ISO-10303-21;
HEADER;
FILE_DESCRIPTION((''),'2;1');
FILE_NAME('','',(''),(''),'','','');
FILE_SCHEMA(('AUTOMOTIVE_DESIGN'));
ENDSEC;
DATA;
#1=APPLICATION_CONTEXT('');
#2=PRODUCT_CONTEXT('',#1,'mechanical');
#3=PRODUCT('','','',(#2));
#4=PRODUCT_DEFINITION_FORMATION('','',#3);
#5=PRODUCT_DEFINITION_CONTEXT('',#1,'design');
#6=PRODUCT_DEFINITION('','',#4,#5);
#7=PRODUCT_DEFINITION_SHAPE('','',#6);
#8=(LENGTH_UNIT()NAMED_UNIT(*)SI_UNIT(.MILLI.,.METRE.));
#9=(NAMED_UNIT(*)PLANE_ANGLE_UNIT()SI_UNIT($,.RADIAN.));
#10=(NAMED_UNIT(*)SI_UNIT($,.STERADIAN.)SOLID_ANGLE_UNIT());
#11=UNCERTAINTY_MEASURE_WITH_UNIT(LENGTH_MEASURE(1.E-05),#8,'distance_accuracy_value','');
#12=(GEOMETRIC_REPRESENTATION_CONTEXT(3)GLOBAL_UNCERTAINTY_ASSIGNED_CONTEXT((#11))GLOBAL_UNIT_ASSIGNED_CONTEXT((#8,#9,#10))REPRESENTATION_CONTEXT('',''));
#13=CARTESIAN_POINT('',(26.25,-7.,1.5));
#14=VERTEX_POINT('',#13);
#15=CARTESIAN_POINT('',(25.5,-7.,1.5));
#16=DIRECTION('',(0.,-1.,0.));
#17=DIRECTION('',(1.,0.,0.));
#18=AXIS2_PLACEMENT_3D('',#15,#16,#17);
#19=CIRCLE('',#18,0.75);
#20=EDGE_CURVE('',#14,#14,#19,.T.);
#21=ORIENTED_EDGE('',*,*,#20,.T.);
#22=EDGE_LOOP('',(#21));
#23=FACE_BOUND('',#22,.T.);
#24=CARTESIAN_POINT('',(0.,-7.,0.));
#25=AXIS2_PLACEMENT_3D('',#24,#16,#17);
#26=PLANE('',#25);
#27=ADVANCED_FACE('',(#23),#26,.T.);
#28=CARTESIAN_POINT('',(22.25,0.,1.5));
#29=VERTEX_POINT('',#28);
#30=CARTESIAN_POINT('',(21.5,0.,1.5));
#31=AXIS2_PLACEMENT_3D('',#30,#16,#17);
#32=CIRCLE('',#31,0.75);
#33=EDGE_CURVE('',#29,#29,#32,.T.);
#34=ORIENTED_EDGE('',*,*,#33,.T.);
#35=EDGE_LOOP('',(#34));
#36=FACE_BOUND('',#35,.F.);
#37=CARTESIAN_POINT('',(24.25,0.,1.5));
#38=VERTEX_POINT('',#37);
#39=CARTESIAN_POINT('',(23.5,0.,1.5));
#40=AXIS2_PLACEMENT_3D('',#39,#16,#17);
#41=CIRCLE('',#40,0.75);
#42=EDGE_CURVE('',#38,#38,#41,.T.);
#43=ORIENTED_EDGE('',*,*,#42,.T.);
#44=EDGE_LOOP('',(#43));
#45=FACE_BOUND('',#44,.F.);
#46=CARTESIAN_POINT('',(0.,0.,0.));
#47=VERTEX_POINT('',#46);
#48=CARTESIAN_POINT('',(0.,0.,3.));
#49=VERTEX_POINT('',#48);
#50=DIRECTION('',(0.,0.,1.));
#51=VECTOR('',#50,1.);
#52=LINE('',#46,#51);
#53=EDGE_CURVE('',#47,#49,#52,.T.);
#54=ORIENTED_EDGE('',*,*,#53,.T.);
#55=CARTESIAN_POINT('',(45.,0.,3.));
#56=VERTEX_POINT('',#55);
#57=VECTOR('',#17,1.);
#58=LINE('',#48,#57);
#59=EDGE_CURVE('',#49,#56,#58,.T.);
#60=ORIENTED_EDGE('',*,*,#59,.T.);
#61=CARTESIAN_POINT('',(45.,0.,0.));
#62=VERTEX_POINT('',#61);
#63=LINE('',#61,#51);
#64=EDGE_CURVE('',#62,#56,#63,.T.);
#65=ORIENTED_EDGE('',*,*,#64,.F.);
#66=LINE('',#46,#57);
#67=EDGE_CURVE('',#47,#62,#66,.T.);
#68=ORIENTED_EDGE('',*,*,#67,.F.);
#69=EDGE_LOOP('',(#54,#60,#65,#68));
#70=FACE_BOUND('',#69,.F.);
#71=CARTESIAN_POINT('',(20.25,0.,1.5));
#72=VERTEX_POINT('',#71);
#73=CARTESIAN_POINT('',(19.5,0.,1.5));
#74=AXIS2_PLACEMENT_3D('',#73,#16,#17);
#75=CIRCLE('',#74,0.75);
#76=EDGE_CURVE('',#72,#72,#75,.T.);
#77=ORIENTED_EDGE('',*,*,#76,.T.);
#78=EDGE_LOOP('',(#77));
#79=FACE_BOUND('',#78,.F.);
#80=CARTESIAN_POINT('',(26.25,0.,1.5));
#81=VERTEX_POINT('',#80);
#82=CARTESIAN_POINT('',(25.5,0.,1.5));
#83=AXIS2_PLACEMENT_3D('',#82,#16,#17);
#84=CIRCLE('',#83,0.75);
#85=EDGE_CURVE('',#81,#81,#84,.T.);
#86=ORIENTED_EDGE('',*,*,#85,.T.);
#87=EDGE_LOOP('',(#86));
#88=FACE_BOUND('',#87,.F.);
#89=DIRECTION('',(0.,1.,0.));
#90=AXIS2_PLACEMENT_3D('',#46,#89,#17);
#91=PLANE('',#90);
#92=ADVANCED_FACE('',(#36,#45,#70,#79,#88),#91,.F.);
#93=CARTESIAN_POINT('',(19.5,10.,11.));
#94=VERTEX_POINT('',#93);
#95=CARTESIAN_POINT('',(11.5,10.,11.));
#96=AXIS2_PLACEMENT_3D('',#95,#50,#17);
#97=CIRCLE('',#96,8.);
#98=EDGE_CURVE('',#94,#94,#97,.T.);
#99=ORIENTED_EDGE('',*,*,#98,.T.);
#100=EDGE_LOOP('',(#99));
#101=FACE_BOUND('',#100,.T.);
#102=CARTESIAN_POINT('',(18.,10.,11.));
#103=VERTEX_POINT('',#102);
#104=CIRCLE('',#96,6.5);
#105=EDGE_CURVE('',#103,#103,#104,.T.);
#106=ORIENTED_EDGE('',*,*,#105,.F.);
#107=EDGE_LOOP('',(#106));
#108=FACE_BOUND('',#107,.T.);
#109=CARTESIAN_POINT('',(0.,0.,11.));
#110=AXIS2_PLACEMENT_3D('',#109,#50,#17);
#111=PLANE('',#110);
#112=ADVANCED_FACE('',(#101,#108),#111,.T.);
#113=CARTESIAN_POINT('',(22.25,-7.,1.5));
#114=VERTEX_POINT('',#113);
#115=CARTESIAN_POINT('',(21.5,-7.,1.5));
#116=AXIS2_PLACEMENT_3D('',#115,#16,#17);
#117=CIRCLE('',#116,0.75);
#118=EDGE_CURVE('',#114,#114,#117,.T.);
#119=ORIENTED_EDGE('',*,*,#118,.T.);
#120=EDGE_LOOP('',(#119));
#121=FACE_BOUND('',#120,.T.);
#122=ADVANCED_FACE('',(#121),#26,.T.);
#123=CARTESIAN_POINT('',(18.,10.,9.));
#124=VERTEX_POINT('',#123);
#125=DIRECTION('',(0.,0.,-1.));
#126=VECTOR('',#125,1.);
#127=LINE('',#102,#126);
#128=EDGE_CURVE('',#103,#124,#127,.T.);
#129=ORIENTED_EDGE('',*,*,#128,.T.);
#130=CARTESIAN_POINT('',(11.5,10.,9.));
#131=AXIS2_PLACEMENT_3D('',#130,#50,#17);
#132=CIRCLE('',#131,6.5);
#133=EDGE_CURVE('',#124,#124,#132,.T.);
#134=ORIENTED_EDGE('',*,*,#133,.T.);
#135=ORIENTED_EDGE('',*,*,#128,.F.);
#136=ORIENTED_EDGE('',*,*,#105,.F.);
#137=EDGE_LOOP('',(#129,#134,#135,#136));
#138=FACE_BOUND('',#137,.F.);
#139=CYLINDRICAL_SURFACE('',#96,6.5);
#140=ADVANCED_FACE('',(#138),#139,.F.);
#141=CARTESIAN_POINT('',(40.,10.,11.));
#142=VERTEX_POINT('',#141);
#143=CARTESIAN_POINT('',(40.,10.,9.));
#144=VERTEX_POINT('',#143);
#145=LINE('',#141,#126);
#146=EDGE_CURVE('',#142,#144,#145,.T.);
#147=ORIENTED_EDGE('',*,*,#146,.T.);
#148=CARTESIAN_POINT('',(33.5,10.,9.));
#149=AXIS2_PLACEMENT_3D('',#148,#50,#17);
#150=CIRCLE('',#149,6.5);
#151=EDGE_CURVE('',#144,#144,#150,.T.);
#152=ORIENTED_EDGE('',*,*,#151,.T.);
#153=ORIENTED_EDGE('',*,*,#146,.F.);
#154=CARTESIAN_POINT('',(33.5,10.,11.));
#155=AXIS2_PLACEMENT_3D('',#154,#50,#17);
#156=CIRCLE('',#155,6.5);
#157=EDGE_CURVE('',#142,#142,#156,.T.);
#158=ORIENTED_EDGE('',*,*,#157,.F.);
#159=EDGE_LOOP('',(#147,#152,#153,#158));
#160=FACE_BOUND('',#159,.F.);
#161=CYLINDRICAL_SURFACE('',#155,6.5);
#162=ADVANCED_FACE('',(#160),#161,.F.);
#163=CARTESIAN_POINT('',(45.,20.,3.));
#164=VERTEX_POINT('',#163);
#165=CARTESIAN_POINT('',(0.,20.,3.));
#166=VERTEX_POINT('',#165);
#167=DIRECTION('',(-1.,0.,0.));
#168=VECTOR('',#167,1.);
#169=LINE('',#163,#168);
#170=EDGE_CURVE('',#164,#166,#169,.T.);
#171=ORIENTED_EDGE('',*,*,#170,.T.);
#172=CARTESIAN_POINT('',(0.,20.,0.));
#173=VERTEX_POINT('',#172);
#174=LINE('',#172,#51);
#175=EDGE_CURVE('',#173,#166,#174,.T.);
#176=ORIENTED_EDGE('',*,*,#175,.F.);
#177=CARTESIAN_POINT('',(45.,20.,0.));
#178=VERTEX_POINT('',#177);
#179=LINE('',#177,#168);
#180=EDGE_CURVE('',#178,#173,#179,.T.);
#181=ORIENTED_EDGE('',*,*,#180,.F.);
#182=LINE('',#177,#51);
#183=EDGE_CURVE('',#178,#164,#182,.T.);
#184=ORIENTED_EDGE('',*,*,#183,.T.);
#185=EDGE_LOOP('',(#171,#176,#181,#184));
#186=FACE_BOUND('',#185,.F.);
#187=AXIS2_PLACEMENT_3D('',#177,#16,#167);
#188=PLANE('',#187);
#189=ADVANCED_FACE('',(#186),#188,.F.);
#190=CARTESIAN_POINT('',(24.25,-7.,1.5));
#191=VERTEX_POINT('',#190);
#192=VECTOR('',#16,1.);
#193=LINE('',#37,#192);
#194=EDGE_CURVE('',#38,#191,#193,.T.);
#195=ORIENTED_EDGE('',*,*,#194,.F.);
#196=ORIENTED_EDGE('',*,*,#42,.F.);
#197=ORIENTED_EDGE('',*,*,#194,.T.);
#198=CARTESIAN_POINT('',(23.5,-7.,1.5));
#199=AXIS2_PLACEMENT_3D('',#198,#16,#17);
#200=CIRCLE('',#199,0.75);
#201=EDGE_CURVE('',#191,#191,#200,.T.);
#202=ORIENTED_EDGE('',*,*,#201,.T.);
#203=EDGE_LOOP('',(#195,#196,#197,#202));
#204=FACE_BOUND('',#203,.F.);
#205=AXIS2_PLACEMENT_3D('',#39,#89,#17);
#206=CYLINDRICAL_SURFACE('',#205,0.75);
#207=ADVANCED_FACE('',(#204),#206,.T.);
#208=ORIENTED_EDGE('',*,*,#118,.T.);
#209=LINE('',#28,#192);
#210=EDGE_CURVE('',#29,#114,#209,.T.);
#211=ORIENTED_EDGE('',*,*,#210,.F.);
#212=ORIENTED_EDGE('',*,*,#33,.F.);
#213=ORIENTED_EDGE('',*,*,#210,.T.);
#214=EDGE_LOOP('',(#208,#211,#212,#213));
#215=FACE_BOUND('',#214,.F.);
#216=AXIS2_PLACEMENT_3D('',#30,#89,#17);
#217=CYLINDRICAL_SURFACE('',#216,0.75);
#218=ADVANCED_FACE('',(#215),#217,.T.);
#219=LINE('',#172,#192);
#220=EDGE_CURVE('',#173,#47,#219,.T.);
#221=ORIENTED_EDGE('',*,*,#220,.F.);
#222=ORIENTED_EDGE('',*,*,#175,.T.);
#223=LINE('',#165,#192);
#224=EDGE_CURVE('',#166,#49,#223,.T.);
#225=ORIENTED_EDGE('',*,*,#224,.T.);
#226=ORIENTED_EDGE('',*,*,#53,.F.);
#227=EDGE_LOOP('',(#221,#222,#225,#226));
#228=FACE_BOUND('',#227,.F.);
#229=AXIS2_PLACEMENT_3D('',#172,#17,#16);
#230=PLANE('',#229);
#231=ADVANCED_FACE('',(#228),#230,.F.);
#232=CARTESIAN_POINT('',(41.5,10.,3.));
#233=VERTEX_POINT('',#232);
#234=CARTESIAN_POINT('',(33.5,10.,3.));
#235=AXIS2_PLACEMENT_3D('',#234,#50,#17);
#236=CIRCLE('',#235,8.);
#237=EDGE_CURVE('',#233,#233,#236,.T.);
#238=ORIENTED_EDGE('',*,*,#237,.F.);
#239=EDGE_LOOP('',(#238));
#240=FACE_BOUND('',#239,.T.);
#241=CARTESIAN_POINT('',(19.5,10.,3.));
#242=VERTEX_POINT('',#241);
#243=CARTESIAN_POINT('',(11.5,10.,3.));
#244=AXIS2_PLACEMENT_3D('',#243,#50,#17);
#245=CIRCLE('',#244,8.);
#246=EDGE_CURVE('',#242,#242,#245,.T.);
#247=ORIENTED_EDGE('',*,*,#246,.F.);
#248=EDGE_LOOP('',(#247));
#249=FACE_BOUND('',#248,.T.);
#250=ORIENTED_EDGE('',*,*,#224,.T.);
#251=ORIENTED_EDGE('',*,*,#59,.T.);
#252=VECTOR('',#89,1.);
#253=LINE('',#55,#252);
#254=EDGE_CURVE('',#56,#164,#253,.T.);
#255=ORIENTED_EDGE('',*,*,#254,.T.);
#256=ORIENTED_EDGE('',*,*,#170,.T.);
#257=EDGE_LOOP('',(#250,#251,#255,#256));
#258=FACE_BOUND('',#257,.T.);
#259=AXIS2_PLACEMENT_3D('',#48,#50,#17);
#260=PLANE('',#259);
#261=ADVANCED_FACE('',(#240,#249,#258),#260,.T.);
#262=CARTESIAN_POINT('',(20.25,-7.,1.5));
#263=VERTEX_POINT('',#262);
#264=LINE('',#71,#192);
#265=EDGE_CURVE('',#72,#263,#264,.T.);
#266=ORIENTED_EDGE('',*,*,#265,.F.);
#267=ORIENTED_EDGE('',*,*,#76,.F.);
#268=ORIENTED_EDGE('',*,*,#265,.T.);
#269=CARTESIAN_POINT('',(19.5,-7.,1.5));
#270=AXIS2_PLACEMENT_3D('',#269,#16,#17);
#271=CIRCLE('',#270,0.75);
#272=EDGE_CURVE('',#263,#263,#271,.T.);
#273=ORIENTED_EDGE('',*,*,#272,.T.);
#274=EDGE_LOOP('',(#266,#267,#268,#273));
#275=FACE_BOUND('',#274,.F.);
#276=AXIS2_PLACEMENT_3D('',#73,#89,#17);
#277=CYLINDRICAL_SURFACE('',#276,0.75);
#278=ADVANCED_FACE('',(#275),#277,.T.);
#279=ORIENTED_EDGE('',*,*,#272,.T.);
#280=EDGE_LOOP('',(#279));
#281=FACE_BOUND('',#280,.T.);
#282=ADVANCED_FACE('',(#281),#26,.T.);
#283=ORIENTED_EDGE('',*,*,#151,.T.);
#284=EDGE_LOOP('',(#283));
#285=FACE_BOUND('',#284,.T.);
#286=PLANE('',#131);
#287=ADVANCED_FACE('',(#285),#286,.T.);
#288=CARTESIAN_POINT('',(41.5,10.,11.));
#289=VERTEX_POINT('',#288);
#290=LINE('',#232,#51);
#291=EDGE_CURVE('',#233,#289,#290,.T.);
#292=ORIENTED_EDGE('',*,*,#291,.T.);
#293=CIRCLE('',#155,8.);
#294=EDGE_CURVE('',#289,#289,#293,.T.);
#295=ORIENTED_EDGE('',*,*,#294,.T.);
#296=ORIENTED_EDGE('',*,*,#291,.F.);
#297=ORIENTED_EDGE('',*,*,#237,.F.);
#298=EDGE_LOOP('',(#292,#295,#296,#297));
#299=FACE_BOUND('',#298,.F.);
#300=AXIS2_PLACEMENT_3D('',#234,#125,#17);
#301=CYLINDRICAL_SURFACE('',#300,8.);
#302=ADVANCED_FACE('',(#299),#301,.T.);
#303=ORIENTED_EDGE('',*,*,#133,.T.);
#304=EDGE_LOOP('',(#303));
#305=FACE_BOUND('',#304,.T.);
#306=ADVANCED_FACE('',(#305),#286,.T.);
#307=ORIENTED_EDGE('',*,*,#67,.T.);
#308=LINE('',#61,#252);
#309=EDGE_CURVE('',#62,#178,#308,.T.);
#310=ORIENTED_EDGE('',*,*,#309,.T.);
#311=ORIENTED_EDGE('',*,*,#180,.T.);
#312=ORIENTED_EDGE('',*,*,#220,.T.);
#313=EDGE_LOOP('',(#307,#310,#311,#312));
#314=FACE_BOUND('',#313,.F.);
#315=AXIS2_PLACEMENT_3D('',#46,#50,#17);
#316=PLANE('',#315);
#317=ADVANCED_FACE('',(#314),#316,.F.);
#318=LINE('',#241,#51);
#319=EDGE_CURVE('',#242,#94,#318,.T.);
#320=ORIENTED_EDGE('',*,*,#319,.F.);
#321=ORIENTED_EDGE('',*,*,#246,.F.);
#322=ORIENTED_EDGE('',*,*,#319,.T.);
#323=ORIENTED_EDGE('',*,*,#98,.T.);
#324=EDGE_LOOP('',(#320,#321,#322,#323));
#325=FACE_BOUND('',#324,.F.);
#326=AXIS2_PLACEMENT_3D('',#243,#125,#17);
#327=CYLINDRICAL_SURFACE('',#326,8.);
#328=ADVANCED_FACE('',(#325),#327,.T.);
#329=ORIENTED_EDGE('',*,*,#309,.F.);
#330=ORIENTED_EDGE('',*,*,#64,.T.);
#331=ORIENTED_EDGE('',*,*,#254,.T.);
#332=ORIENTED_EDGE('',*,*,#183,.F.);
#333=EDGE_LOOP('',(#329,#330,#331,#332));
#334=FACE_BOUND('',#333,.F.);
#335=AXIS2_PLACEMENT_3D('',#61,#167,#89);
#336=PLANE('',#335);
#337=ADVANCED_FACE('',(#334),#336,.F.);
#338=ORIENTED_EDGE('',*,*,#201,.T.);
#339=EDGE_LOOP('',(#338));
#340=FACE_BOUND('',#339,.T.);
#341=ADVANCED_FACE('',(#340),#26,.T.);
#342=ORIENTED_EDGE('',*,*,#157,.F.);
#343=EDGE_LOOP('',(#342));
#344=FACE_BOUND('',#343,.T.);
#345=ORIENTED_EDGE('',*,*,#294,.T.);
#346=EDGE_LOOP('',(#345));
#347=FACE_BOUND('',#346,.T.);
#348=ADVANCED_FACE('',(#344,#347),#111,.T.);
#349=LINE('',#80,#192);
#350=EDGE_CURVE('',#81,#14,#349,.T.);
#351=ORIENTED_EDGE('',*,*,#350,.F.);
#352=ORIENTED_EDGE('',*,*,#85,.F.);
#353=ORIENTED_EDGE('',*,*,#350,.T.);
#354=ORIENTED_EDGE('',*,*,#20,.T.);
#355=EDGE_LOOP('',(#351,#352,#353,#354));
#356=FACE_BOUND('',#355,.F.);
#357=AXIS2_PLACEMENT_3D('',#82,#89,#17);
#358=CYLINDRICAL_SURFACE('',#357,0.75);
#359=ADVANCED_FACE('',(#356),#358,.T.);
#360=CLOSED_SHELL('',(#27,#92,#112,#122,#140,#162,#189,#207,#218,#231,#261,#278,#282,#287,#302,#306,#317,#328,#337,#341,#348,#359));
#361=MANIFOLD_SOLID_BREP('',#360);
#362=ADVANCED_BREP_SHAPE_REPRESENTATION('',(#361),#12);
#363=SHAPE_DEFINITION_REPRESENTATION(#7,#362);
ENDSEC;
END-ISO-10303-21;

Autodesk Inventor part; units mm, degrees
ref_plane "YZ Plane" through (0, 0, 0) normal (1, 0, 0) x (0, 1, 0)
ref_plane "XZ Plane" through (0, 0, 0) normal (0, 1, 0) x (-1, 0, 0)
ref_plane "XY Plane" through (0, 0, 0) normal (0, 0, 1) x (1, 0, 0)
sketch "Esquisse1" plane through (0, 0, 0) normal (0, 0, 1) x (1, 0, 0)
  line L0 (0, 0) -> (45, 0)
  line L1 (45, 0) -> (45, 20)
  line L2 (45, 20) -> (0, 20)
  line L3 (0, 20) -> (0, 0)
  dimension "d0" = 45
  dimension "d1" = 20
extrude "Extrusion1" add sketch "Esquisse1" along normal blind 3
sketch "Esquisse2" plane through (0, 0, 3) normal (0, 0, 1) x (1, 0, 0)
  line L0 (45, 0) -> (45, 20) projected
  line L1 (0, 0) -> (45, 0) projected
  circle A0 centre (11.5, 10) radius 8
  circle A1 centre (33.5, 10) radius 8
  dimension "d4" = 22
  dimension "d5" = 11.5
  dimension "d6" = 10
  dimension "d7" = 10
  dimension "d8" = 16
  dimension "d9" = 16
extrude "Extrusion2" add sketch "Esquisse2" along normal blind 8
sketch "Esquisse3" plane through (11.5, 10, 11) normal (0, 0, 1) x (1, 0, 0)
  circle A0 centre (0, 0) radius 6.5
  circle A1 centre (22, 0) radius 8 projected
  circle A2 centre (22, 0) radius 6.5
  circle A3 centre (0, 0) radius 7.9442
  circle A4 centre (22, 0) radius 8
  point P0 (-11.5, -10)
  dimension "d12" = 13
  dimension "d13" = 13
extrude "Extrusion3" cut sketch "Esquisse3" against normal blind 2 contours A0 | A2
sketch "Esquisse4" plane through (0, 0, 0) normal (0, -1, 0) x (1, 0, 0)
  line L0 (45, 0) -> (45, 3) projected
  circle A0 centre (19.5, 1.5) radius 0.75
  circle A1 centre (21.5, 1.5) radius 0.75
  circle A2 centre (23.5, 1.5) radius 0.75
  circle A3 centre (25.5, 1.5) radius 0.75
  line L1 (0, 3) -> (45, 3) projected
  point P0 (0, 0)
  dimension "d17" = 2
  dimension "d18" = 2
  dimension "d19" = 2
  dimension "d22" = 1.5
  dimension "d23" = 1.5
  dimension "d24" = 1.5
  dimension "d25" = 1.5
  dimension "d26" = 19.5
  dimension "d29" = 1.5
  dimension "d30" = 3
extrude "Extrusion4" add sketch "Esquisse4" along normal blind 7
equation "\"d7\" = d6"
equation "\"d18\" = d17"
equation "\"d19\" = d17"
equation "\"d29\" = 0.5 * d30"
properties part number "US HC-SR04"
